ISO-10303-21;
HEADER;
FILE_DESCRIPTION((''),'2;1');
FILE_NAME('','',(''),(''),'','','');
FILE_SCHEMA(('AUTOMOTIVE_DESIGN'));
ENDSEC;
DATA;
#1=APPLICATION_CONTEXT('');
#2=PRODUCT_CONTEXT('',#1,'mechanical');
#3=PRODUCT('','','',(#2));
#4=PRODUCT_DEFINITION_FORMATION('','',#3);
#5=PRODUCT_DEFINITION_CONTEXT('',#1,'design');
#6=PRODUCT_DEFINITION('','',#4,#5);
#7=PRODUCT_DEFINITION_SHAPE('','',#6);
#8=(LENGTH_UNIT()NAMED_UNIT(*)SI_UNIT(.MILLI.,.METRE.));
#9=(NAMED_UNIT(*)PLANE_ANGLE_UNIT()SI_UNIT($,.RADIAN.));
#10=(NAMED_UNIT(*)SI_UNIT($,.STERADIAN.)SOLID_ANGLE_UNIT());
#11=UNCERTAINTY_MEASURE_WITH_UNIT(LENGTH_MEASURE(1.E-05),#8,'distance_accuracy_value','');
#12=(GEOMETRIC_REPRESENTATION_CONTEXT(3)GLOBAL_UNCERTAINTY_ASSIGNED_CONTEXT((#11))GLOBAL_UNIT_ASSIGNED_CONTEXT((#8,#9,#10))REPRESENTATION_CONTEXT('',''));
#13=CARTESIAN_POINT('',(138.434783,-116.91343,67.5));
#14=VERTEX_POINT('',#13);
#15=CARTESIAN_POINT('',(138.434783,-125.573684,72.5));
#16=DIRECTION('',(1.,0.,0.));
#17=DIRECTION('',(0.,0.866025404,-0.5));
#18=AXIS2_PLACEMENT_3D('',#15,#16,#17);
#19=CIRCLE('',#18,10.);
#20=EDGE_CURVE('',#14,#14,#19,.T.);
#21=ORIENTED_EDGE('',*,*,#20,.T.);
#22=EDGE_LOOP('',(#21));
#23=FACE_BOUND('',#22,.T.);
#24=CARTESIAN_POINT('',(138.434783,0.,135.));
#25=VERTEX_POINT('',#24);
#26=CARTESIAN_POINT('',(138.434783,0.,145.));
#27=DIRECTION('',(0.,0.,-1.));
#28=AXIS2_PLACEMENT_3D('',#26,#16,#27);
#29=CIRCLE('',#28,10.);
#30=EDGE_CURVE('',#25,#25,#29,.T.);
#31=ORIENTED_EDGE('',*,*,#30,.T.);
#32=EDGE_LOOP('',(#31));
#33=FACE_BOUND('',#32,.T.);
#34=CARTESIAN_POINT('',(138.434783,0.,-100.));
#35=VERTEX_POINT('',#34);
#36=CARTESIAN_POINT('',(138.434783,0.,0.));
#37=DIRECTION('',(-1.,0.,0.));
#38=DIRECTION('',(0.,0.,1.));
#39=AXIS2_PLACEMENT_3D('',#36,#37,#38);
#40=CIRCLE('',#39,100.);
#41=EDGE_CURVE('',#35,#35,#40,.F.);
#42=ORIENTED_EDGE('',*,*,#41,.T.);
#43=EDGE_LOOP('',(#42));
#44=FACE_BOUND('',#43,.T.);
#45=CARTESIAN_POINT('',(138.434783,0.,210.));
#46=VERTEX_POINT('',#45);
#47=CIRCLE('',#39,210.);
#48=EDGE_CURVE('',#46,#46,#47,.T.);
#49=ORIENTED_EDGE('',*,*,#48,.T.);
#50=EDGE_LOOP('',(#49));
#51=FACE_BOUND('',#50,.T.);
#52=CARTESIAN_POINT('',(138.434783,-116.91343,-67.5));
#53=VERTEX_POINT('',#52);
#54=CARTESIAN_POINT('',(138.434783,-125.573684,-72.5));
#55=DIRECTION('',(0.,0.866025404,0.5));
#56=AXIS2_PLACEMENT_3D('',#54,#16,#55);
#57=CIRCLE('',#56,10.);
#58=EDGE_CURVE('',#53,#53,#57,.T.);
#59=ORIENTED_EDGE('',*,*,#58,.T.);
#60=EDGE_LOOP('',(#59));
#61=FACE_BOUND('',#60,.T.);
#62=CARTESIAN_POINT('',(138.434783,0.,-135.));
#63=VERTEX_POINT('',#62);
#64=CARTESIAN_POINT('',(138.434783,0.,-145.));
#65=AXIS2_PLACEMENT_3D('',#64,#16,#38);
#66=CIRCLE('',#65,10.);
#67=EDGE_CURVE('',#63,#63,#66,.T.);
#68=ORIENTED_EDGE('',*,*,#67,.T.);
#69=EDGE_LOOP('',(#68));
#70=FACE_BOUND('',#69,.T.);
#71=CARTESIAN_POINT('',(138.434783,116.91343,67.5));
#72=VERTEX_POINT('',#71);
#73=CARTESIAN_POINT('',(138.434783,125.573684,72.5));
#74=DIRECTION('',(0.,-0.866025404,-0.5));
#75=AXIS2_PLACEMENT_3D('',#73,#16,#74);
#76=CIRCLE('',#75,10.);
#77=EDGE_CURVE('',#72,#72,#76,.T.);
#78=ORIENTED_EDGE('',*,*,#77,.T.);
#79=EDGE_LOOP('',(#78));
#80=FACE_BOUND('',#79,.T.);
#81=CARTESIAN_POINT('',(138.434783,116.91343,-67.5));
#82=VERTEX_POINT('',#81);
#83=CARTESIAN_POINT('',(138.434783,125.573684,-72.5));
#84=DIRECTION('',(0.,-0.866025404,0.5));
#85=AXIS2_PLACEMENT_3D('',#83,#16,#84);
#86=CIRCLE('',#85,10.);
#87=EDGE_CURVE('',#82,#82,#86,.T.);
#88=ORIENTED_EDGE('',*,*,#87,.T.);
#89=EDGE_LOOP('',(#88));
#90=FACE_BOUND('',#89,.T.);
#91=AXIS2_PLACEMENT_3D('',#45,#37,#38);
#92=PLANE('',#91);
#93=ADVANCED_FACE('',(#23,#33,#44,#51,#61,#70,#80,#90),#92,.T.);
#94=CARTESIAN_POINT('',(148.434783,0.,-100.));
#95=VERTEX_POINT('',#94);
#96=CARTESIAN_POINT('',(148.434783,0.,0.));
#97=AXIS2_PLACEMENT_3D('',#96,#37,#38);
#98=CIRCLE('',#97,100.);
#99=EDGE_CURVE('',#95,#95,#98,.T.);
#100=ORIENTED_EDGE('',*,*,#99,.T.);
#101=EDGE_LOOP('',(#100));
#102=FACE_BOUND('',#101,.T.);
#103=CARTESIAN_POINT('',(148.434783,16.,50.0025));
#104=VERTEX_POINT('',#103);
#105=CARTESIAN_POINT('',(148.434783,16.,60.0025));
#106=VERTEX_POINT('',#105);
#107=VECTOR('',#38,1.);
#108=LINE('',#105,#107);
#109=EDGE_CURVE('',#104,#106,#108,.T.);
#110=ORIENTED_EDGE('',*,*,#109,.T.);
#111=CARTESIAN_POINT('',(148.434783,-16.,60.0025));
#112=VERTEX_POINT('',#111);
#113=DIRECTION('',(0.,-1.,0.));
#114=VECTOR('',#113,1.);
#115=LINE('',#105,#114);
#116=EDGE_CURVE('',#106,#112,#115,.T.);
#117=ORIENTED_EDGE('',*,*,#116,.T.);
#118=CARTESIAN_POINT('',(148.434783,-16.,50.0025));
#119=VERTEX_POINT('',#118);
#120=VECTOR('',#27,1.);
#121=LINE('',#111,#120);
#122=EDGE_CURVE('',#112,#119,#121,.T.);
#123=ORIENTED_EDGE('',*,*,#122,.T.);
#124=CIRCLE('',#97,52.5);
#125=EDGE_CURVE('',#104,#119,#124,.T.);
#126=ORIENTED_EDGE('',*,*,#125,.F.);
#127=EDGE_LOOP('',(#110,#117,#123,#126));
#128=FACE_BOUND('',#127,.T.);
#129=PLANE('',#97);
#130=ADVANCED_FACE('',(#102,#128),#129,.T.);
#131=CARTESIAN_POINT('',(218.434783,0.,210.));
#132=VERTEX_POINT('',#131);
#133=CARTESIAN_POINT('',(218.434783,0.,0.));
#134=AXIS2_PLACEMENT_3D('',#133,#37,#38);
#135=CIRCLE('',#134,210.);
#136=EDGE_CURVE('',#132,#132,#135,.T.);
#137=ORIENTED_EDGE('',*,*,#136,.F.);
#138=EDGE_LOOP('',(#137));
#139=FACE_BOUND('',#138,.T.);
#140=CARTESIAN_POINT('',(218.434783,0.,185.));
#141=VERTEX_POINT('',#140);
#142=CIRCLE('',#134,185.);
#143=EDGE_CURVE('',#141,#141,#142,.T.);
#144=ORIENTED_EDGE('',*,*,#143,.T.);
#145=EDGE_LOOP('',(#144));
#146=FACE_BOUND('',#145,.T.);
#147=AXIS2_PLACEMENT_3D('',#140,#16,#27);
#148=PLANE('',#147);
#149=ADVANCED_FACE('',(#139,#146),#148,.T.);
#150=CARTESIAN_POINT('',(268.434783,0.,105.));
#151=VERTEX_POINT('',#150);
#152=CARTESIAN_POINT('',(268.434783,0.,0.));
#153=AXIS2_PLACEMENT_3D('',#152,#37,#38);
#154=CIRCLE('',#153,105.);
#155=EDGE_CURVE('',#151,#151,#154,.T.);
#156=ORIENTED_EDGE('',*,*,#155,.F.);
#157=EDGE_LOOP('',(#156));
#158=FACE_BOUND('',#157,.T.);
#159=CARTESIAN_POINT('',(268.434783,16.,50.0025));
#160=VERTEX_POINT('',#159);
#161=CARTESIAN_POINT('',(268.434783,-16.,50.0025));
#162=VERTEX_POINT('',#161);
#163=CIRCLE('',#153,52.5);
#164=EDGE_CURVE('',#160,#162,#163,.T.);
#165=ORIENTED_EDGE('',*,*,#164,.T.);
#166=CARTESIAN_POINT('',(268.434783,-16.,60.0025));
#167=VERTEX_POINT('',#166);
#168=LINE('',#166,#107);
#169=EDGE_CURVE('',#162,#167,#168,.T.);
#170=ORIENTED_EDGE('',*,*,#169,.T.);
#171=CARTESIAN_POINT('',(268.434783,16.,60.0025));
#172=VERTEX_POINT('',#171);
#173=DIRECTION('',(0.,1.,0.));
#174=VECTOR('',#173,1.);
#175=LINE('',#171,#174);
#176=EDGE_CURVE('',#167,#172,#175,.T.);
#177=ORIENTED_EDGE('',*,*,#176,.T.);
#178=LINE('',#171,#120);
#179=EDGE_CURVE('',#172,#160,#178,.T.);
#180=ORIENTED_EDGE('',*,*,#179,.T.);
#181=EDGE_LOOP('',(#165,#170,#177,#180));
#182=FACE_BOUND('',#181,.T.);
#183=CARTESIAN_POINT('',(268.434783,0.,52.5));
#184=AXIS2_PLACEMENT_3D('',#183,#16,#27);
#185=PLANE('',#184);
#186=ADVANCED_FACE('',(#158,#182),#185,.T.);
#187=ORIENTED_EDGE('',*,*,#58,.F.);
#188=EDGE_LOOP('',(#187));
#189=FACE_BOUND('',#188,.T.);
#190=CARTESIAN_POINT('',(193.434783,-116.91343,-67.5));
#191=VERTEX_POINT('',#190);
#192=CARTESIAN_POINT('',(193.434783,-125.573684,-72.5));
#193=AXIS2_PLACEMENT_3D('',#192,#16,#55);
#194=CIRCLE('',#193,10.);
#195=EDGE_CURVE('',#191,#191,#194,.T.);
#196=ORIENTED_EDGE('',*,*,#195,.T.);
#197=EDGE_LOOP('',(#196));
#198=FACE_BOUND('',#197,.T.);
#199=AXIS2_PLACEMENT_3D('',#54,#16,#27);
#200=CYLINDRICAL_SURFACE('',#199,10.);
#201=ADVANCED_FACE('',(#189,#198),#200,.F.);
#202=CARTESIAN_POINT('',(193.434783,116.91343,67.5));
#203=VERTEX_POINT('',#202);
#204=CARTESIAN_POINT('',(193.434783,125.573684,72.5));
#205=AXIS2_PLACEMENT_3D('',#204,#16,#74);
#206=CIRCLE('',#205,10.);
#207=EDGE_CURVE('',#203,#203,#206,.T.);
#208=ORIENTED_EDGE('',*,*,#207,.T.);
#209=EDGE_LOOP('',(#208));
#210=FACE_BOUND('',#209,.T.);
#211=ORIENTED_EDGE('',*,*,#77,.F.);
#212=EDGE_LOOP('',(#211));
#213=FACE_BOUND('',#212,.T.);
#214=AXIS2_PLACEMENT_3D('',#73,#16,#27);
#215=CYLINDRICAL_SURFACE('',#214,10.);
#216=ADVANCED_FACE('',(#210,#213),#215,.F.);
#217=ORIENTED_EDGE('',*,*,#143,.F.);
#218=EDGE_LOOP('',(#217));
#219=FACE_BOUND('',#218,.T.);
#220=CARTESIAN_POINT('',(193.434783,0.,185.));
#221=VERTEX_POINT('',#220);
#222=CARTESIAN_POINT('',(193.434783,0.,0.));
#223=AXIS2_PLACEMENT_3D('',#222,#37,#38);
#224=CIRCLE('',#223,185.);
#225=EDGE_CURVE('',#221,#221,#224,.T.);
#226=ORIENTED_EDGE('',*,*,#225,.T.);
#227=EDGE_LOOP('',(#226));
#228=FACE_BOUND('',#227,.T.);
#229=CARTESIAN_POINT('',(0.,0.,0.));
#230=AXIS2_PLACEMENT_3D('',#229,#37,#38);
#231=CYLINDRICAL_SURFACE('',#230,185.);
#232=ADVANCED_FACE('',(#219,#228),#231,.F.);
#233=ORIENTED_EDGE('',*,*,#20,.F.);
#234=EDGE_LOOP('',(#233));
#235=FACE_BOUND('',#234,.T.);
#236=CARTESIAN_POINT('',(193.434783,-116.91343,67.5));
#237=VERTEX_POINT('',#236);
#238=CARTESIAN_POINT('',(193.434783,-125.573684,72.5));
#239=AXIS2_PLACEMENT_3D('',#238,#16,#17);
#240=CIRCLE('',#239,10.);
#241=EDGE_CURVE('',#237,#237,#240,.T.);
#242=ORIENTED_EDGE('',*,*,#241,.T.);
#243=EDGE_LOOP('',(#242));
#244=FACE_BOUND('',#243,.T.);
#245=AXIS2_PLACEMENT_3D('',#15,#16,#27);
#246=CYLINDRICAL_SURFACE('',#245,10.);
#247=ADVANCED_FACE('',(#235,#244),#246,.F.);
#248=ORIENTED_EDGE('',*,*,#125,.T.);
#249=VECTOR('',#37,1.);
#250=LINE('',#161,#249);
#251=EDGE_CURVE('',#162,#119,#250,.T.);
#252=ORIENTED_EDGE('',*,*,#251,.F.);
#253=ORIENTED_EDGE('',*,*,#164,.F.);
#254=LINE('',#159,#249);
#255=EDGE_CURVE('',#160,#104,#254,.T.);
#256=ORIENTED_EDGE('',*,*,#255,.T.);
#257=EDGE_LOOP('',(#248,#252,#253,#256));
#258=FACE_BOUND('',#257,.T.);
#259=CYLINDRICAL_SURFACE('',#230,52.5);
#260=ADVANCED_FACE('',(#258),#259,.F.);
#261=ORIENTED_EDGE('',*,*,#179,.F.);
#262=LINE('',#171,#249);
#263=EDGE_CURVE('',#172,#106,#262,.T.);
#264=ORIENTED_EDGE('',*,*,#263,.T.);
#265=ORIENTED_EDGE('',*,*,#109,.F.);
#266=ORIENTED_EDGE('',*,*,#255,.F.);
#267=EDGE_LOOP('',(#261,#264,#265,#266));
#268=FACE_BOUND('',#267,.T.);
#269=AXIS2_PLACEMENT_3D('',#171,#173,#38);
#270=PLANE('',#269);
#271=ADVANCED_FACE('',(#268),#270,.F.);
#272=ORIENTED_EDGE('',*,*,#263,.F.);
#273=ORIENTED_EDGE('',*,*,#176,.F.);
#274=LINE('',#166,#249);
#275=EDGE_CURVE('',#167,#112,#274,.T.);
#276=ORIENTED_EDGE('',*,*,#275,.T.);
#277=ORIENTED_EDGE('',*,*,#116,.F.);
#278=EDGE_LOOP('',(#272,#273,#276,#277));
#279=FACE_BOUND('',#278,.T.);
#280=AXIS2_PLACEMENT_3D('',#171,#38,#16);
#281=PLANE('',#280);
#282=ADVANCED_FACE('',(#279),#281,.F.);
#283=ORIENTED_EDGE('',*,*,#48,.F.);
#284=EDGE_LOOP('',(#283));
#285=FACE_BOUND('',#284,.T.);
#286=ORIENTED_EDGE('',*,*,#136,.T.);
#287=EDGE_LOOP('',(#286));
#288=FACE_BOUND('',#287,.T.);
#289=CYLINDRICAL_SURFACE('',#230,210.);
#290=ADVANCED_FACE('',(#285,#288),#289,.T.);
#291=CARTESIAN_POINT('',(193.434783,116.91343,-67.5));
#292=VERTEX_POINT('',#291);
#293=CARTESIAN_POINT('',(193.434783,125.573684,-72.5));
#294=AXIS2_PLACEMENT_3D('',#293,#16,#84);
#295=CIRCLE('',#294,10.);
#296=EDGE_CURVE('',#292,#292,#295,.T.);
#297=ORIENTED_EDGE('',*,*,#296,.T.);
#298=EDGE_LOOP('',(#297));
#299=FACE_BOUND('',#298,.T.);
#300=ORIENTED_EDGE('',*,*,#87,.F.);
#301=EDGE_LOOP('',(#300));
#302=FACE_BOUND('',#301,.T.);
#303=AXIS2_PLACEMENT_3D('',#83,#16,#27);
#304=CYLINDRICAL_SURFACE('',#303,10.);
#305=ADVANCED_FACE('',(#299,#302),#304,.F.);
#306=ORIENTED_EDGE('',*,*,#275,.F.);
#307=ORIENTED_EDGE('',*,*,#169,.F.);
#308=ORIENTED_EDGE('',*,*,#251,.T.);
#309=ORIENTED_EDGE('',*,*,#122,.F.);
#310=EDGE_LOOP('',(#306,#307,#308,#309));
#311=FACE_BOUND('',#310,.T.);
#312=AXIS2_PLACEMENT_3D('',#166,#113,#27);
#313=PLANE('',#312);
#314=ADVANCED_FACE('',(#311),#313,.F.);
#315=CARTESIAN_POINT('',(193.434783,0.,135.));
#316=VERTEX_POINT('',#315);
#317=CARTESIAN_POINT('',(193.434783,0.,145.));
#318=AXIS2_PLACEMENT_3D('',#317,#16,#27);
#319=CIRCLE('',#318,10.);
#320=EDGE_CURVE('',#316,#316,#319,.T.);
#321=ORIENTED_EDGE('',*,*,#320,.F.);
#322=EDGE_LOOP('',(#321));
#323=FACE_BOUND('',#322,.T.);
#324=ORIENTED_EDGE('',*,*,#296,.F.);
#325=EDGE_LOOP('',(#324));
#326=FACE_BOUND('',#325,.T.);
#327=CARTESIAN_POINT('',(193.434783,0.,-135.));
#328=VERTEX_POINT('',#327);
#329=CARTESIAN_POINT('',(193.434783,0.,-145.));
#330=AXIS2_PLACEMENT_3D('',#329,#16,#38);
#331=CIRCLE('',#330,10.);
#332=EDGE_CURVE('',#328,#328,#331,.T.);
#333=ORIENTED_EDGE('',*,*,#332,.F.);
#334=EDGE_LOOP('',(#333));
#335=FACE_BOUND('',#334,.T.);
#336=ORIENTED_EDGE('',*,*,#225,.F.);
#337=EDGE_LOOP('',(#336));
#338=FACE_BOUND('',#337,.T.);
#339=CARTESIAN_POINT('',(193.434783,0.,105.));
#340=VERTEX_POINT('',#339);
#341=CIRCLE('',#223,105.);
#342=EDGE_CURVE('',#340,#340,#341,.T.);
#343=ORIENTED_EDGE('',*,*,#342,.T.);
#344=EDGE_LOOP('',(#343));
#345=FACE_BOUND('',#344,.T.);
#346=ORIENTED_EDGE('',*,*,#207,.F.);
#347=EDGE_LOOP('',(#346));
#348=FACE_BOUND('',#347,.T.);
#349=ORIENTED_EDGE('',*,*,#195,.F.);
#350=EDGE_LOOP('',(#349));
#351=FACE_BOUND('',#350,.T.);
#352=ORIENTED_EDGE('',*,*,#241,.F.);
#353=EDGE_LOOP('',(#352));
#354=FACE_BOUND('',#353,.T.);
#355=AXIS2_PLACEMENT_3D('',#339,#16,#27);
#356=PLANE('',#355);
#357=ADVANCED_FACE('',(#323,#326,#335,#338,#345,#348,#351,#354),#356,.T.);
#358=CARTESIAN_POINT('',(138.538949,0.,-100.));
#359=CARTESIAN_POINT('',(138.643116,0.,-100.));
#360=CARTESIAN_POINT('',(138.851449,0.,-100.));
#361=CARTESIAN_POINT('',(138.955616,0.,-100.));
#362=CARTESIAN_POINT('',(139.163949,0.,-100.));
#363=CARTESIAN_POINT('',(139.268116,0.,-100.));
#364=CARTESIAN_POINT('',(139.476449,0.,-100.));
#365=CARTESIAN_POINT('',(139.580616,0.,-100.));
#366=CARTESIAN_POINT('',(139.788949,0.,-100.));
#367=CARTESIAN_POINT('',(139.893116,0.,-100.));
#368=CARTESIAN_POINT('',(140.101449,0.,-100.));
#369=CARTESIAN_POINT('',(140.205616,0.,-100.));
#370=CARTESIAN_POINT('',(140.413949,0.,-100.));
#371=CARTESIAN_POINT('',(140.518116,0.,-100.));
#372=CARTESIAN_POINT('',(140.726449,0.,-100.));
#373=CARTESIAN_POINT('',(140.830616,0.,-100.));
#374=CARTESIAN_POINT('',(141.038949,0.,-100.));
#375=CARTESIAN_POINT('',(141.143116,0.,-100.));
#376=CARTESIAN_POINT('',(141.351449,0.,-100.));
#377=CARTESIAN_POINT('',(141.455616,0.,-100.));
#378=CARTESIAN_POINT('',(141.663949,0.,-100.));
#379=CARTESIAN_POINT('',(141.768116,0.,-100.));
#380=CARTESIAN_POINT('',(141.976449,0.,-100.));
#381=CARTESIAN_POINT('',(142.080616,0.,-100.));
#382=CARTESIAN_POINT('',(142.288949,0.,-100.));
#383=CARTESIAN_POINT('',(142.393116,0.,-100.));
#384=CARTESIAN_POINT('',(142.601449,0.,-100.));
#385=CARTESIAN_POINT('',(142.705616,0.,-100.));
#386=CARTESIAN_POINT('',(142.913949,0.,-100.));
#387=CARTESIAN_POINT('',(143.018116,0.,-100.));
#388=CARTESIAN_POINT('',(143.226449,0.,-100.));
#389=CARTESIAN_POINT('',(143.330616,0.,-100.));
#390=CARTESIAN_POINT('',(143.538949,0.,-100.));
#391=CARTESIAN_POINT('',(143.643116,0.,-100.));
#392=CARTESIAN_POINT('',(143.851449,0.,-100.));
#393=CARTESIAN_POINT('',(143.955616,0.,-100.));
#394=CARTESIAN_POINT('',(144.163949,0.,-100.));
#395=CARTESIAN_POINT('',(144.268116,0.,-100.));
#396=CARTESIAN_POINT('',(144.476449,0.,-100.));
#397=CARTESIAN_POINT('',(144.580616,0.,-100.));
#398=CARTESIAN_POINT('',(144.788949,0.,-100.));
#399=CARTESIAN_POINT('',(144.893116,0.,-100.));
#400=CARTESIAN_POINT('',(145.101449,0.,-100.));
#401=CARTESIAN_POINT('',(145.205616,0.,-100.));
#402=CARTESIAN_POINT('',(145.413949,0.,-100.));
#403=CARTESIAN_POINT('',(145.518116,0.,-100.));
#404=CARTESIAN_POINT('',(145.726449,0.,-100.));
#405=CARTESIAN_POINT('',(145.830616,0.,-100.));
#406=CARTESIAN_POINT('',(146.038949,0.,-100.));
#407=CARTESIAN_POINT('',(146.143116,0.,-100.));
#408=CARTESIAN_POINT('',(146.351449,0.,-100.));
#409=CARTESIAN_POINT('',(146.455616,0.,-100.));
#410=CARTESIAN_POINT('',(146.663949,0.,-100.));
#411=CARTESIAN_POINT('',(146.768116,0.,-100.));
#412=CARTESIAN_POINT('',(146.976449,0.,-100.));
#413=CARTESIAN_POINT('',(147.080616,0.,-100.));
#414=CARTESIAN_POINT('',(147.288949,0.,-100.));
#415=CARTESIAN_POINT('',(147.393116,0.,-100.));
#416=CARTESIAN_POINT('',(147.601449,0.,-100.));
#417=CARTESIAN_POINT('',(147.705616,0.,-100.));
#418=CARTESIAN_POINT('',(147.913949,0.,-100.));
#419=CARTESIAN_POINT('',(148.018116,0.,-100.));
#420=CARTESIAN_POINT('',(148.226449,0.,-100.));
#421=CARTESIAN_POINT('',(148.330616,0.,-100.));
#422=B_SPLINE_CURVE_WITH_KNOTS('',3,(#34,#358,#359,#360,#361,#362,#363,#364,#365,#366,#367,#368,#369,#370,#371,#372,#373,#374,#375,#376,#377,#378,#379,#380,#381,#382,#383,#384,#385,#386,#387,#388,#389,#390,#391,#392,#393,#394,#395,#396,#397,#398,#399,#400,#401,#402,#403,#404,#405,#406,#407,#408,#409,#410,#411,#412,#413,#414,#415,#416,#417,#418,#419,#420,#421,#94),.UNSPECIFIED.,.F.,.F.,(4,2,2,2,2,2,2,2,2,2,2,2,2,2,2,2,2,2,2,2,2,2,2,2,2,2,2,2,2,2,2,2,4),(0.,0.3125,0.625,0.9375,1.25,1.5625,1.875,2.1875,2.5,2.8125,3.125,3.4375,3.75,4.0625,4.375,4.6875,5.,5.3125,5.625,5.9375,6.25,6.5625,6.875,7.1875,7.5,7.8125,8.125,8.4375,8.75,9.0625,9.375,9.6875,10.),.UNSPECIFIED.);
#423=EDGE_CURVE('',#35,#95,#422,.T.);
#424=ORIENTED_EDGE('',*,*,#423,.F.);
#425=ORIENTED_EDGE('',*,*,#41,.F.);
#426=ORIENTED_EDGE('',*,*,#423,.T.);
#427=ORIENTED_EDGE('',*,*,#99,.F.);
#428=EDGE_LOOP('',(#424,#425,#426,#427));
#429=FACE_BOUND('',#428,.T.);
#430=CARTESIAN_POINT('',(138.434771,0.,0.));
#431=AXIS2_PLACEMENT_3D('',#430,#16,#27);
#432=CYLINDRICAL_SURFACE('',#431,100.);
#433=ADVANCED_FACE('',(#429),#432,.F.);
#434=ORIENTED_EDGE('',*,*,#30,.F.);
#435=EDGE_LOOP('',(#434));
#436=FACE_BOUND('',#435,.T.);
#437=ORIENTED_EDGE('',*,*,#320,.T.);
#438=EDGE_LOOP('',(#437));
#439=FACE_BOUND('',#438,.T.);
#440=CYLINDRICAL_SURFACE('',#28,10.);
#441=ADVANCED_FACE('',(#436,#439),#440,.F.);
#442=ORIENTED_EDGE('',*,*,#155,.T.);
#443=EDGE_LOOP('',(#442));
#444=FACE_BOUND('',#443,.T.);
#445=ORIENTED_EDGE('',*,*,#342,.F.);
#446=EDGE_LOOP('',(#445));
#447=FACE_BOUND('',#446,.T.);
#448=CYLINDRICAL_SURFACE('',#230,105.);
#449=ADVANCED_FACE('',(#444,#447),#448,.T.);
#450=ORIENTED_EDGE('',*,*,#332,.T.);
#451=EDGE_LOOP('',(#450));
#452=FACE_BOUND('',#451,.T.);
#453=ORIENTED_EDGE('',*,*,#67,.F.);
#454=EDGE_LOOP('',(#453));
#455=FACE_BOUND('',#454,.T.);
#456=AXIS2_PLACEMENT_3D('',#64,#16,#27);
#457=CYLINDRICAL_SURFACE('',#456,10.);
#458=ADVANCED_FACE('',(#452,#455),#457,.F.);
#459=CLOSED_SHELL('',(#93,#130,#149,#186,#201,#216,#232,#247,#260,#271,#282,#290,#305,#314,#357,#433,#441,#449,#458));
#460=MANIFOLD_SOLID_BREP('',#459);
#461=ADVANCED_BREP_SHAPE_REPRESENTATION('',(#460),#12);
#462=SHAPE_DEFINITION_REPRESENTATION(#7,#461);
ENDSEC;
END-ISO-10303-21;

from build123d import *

# Parameters (mm, degrees)
SKETCH3_R               = 10
CUT_EXTRUDE1_DEPTH      = 307.30866785
CIRPATTERN1_COUNT       = 6
CUT_EXTRUDE2_DEPTH      = 325.191301549
CUT_EXTRUDE2_DEPTH_BACK = 325.191301549
SKETCH4_W               = 32
SKETCH4_H               = 10
CUT_EXTRUDE3_DEPTH      = 325.191301549
CUT_EXTRUDE3_DEPTH_BACK = 10
SKETCH5_R               = 100


with BuildPart() as part:
    # Sketch2 → Revolve1 (revolve)
    with BuildSketch(Plane(origin=(0, 0, 0), x_dir=(-1, 0, 0), z_dir=(0, 1, 0))):
        Polygon((-138.434782609, 52.5), (-268.434782609, 52.5), (-268.434782609, 105), (-193.434782609, 105), (-193.434782609, 185), (-218.434782609, 185), (-218.434782609, 210), (-138.434782609, 210), align=None)
    revolve(axis=Axis((0, 0, 0), (1, 0, 0)))

    # Sketch3 → Cut-Extrude1 (cut, through all)
    with BuildSketch(Plane.YZ.offset(193.434782609)):
        with Locations(Location((0, 145, 0), (0, 0, 270))):
            Circle(SKETCH3_R)
    cut_extrude1 = extrude(amount=-CUT_EXTRUDE1_DEPTH, mode=Mode.SUBTRACT)

    # CirPattern1: Cut-Extrude1 ×6 about axis
    cirpattern1_axis = Axis((0, 0, 0), (1, 0, 0))
    for i in range(1, CIRPATTERN1_COUNT):
        add(cut_extrude1.rotate(cirpattern1_axis, i * 360 / CIRPATTERN1_COUNT), mode=Mode.SUBTRACT)

    # Sketch4 → Cut-Extrude2 (cut, two sides: drawn at the far end of the back side and taken through both)
    with BuildSketch(Plane(origin=(138.434782609, 0, 0), x_dir=(0, -1, 0), z_dir=(-1, 0, 0)).offset(-CUT_EXTRUDE2_DEPTH_BACK)):
        with Locations((0, 55.002499938)):
            Rectangle(SKETCH4_W, SKETCH4_H)
    extrude(amount=CUT_EXTRUDE2_DEPTH + CUT_EXTRUDE2_DEPTH_BACK, mode=Mode.SUBTRACT)

    # Sketch5 → Cut-Extrude3 (cut, two sides: drawn at the far end of the back side and taken through both)
    with BuildSketch(Plane(origin=(138.434782609, 0, 0), x_dir=(0, -1, 0), z_dir=(-1, 0, 0)).offset(-CUT_EXTRUDE3_DEPTH_BACK)):
        with Locations(Location((0, 0, 0), (0, 0, 270))):
            Circle(SKETCH5_R)
    extrude(amount=CUT_EXTRUDE3_DEPTH + CUT_EXTRUDE3_DEPTH_BACK, mode=Mode.SUBTRACT)


solid = part.part
